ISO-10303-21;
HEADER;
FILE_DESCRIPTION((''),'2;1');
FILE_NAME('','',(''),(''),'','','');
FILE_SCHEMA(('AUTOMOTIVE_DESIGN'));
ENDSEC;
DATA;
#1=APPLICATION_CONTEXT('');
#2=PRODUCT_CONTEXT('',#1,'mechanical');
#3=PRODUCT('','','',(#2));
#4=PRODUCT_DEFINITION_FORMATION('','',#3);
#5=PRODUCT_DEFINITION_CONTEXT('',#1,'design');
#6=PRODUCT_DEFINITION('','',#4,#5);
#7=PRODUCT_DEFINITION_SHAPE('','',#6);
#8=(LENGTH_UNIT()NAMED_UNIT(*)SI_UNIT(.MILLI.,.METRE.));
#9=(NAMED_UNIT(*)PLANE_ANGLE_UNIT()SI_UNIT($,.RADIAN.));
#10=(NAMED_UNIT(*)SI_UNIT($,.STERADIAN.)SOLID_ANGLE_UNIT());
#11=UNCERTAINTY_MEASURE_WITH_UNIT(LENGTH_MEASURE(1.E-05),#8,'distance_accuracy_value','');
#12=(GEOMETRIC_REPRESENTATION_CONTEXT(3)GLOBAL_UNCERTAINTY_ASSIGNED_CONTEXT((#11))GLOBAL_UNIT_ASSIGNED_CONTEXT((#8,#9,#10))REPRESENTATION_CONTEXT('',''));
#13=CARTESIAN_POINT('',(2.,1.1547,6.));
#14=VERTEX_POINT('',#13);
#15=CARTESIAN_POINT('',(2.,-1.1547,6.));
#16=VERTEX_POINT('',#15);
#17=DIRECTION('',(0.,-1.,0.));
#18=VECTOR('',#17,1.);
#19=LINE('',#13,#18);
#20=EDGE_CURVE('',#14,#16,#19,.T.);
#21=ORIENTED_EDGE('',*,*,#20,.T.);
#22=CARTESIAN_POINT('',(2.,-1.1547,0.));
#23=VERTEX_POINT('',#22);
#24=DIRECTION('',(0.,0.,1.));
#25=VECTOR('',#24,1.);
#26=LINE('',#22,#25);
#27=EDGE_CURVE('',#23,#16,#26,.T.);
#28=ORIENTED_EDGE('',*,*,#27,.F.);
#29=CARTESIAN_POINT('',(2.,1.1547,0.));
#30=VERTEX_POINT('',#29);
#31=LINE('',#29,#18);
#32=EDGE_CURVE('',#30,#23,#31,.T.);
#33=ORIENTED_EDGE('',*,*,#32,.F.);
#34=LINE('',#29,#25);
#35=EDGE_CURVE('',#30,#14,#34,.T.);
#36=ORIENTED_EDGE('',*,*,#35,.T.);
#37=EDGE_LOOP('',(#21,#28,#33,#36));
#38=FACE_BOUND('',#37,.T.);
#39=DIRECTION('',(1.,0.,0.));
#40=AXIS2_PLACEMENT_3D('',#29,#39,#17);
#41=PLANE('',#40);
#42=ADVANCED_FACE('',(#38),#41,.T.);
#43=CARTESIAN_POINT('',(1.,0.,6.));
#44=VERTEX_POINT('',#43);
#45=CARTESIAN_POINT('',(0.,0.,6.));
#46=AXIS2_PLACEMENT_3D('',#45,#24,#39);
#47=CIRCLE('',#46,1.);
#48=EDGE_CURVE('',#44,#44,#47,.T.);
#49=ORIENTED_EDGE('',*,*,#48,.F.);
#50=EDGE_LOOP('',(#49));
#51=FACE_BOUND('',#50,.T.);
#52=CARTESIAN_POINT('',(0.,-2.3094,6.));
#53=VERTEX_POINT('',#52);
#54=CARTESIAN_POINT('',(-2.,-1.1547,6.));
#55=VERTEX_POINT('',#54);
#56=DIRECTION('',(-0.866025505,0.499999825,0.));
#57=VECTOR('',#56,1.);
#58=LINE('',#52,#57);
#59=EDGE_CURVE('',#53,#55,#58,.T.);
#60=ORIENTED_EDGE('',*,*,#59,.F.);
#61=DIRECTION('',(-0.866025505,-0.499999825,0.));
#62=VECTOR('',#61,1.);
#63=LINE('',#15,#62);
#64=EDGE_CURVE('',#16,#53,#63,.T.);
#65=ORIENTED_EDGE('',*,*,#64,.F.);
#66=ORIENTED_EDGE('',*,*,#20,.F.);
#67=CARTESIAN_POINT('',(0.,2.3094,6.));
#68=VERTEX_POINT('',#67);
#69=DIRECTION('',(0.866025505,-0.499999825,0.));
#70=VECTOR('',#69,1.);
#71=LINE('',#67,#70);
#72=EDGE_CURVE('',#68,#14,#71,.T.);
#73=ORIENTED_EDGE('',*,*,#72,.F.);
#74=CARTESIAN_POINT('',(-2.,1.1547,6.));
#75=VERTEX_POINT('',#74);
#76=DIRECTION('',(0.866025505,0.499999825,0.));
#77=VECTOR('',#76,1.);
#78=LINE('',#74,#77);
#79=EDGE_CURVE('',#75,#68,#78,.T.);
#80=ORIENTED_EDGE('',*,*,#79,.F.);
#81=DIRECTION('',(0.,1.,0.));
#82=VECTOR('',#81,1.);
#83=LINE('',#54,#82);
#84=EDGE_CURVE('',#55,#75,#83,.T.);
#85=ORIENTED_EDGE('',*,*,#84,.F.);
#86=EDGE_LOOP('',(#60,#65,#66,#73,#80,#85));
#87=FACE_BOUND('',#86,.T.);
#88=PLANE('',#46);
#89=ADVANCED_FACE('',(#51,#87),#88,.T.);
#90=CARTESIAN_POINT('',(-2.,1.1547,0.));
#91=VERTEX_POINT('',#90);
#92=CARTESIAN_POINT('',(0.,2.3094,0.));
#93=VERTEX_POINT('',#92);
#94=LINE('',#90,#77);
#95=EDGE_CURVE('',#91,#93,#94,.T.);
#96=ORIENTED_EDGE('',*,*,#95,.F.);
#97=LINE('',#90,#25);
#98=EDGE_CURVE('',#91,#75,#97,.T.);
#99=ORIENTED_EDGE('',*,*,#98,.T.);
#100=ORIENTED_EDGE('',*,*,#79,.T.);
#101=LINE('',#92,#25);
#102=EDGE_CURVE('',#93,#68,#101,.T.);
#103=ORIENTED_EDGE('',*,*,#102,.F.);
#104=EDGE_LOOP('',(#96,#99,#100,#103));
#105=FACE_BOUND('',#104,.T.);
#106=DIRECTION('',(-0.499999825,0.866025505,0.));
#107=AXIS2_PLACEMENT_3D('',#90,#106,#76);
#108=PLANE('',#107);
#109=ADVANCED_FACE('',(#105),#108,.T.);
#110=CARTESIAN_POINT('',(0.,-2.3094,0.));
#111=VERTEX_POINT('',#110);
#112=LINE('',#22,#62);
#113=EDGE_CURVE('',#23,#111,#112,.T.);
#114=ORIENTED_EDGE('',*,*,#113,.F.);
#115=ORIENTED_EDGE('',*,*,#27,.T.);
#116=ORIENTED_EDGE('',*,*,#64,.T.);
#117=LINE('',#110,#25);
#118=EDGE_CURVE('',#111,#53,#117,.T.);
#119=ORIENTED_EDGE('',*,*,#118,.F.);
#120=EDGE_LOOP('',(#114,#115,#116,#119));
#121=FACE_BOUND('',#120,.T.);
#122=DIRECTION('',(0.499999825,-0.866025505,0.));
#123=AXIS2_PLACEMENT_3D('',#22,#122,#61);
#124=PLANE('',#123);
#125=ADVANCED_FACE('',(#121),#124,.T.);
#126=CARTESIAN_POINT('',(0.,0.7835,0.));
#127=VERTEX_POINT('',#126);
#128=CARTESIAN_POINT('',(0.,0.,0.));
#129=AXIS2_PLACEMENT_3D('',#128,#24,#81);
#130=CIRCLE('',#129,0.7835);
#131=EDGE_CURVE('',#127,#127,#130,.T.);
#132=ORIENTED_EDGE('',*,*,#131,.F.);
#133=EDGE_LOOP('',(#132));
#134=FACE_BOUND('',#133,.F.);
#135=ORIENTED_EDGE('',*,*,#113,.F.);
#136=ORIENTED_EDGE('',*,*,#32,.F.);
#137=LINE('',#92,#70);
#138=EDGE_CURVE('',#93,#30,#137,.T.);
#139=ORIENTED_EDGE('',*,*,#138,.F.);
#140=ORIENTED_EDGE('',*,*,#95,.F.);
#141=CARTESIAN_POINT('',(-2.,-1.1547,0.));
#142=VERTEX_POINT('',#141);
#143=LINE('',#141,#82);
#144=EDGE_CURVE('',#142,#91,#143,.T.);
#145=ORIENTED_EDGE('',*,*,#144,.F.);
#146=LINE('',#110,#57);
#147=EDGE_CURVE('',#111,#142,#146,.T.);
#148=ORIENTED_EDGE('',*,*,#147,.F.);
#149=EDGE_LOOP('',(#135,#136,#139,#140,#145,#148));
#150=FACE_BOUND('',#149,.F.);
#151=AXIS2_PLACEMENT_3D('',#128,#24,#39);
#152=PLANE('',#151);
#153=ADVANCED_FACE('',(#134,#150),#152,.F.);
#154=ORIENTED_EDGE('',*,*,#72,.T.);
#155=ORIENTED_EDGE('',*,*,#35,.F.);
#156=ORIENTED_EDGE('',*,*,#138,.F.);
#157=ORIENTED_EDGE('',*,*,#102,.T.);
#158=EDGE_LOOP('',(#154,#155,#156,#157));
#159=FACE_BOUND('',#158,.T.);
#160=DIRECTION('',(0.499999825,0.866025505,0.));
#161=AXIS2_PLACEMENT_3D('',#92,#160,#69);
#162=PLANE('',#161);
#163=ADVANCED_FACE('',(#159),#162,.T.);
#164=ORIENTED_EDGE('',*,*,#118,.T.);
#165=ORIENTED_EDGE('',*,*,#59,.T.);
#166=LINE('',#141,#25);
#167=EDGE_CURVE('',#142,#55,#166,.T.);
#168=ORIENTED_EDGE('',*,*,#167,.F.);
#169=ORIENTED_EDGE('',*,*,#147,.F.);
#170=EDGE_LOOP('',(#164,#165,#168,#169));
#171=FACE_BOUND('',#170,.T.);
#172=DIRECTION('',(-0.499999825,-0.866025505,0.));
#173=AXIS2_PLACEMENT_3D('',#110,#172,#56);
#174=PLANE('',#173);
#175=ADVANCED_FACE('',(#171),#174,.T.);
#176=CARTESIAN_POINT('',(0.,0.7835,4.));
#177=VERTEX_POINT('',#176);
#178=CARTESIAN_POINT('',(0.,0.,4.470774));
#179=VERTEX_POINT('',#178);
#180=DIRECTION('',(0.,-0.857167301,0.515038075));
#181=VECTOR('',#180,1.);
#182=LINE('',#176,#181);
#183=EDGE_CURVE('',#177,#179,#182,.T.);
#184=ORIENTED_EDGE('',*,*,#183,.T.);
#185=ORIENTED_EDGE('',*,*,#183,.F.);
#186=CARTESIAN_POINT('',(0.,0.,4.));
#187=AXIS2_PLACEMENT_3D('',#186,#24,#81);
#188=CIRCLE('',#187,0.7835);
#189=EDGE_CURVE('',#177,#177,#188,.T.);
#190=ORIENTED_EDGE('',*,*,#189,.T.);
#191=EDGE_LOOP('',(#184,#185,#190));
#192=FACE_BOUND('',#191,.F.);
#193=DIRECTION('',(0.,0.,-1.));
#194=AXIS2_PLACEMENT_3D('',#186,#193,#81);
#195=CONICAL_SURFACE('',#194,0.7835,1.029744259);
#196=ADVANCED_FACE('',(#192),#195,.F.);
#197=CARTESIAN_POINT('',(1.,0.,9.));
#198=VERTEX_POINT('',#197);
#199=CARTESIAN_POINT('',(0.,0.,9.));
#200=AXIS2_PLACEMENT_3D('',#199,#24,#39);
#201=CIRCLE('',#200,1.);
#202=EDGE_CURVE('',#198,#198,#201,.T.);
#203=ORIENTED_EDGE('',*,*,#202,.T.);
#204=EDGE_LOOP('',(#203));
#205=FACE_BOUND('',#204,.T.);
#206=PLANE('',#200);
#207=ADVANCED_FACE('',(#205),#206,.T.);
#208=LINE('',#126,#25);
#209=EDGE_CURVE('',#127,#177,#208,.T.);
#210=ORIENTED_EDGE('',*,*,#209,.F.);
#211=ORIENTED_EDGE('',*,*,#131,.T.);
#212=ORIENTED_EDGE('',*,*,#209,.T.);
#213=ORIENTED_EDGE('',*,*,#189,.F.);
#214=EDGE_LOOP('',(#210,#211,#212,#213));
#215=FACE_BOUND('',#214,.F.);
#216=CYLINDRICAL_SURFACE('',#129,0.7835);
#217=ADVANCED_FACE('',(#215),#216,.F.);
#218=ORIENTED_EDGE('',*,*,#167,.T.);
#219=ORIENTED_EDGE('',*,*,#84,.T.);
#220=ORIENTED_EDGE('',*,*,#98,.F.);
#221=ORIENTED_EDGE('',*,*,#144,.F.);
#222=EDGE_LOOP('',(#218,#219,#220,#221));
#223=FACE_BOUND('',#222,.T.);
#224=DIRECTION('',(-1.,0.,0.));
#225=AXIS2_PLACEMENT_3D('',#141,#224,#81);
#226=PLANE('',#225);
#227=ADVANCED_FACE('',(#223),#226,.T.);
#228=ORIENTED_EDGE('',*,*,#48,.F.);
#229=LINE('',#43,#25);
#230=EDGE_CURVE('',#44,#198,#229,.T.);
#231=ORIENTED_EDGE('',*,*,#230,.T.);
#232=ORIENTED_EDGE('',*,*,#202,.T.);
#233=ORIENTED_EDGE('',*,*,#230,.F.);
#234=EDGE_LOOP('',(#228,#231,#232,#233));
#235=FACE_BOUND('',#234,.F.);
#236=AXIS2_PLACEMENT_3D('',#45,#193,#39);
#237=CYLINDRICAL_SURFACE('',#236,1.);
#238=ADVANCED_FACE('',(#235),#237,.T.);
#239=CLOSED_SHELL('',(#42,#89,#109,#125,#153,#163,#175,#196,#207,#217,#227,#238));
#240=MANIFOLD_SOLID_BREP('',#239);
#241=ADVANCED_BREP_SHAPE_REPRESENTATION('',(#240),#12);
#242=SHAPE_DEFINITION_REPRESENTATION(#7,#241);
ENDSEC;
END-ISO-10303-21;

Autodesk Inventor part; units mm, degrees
ref_plane "YZ Plane" through (0, 0, 0) normal (1, 0, 0) x (0, 1, 0)
ref_plane "XZ Plane" through (0, 0, 0) normal (0, 1, 0) x (-1, 0, 0)
ref_plane "XY Plane" through (0, 0, 0) normal (0, 0, 1) x (1, 0, 0)
sketch "スケッチ1" plane through (0, 0, 0) normal (0, 0, 1) x (1, 0, 0)
  line L0 (0, 2.3094) -> (2, 1.1547)
  line L1 (2, 1.1547) -> (2, -1.1547)
  line L2 (2, -1.1547) -> (0, -2.3094)
  line L3 (0, -2.3094) -> (-2, -1.1547)
  line L4 (-2, -1.1547) -> (-2, 1.1547)
  line L5 (-2, 1.1547) -> (0, 2.3094)
  point P0 (0, 0)
  point P1 (0, 0)
  dimension "d0" = 4
extrude "押し出し1" add sketch "スケッチ1" along normal blind 6
sketch "スケッチ2" plane through (0, 0, 6) normal (0, 0, 1) x (1, 0, 0)
  circle A0 centre (0, 0) radius 1
  dimension "d3" = 2
extrude "押し出し2" add sketch "スケッチ2" along normal blind 3
thread "ねじ1" size "M2x0.4" class "6g" standard "ANSI Metric M Profile" full length
sketch "スケッチ3" plane through (0, 0, 0) normal (0, 0, -1) x (-1, 0, 0)
  point P0 (0, 0)
hole "穴1" at (0, 0, 0) direction (0, 0, 1) diameter 1.567 depth 4 tip angle 118 thread size "M2x0.4" class "6H" standard "ISO Metric profile"
properties part number "ジュラコンスペーサー（六角・短間段重ね用）_MS-2006-03E" material "アセタール樹脂、白"
